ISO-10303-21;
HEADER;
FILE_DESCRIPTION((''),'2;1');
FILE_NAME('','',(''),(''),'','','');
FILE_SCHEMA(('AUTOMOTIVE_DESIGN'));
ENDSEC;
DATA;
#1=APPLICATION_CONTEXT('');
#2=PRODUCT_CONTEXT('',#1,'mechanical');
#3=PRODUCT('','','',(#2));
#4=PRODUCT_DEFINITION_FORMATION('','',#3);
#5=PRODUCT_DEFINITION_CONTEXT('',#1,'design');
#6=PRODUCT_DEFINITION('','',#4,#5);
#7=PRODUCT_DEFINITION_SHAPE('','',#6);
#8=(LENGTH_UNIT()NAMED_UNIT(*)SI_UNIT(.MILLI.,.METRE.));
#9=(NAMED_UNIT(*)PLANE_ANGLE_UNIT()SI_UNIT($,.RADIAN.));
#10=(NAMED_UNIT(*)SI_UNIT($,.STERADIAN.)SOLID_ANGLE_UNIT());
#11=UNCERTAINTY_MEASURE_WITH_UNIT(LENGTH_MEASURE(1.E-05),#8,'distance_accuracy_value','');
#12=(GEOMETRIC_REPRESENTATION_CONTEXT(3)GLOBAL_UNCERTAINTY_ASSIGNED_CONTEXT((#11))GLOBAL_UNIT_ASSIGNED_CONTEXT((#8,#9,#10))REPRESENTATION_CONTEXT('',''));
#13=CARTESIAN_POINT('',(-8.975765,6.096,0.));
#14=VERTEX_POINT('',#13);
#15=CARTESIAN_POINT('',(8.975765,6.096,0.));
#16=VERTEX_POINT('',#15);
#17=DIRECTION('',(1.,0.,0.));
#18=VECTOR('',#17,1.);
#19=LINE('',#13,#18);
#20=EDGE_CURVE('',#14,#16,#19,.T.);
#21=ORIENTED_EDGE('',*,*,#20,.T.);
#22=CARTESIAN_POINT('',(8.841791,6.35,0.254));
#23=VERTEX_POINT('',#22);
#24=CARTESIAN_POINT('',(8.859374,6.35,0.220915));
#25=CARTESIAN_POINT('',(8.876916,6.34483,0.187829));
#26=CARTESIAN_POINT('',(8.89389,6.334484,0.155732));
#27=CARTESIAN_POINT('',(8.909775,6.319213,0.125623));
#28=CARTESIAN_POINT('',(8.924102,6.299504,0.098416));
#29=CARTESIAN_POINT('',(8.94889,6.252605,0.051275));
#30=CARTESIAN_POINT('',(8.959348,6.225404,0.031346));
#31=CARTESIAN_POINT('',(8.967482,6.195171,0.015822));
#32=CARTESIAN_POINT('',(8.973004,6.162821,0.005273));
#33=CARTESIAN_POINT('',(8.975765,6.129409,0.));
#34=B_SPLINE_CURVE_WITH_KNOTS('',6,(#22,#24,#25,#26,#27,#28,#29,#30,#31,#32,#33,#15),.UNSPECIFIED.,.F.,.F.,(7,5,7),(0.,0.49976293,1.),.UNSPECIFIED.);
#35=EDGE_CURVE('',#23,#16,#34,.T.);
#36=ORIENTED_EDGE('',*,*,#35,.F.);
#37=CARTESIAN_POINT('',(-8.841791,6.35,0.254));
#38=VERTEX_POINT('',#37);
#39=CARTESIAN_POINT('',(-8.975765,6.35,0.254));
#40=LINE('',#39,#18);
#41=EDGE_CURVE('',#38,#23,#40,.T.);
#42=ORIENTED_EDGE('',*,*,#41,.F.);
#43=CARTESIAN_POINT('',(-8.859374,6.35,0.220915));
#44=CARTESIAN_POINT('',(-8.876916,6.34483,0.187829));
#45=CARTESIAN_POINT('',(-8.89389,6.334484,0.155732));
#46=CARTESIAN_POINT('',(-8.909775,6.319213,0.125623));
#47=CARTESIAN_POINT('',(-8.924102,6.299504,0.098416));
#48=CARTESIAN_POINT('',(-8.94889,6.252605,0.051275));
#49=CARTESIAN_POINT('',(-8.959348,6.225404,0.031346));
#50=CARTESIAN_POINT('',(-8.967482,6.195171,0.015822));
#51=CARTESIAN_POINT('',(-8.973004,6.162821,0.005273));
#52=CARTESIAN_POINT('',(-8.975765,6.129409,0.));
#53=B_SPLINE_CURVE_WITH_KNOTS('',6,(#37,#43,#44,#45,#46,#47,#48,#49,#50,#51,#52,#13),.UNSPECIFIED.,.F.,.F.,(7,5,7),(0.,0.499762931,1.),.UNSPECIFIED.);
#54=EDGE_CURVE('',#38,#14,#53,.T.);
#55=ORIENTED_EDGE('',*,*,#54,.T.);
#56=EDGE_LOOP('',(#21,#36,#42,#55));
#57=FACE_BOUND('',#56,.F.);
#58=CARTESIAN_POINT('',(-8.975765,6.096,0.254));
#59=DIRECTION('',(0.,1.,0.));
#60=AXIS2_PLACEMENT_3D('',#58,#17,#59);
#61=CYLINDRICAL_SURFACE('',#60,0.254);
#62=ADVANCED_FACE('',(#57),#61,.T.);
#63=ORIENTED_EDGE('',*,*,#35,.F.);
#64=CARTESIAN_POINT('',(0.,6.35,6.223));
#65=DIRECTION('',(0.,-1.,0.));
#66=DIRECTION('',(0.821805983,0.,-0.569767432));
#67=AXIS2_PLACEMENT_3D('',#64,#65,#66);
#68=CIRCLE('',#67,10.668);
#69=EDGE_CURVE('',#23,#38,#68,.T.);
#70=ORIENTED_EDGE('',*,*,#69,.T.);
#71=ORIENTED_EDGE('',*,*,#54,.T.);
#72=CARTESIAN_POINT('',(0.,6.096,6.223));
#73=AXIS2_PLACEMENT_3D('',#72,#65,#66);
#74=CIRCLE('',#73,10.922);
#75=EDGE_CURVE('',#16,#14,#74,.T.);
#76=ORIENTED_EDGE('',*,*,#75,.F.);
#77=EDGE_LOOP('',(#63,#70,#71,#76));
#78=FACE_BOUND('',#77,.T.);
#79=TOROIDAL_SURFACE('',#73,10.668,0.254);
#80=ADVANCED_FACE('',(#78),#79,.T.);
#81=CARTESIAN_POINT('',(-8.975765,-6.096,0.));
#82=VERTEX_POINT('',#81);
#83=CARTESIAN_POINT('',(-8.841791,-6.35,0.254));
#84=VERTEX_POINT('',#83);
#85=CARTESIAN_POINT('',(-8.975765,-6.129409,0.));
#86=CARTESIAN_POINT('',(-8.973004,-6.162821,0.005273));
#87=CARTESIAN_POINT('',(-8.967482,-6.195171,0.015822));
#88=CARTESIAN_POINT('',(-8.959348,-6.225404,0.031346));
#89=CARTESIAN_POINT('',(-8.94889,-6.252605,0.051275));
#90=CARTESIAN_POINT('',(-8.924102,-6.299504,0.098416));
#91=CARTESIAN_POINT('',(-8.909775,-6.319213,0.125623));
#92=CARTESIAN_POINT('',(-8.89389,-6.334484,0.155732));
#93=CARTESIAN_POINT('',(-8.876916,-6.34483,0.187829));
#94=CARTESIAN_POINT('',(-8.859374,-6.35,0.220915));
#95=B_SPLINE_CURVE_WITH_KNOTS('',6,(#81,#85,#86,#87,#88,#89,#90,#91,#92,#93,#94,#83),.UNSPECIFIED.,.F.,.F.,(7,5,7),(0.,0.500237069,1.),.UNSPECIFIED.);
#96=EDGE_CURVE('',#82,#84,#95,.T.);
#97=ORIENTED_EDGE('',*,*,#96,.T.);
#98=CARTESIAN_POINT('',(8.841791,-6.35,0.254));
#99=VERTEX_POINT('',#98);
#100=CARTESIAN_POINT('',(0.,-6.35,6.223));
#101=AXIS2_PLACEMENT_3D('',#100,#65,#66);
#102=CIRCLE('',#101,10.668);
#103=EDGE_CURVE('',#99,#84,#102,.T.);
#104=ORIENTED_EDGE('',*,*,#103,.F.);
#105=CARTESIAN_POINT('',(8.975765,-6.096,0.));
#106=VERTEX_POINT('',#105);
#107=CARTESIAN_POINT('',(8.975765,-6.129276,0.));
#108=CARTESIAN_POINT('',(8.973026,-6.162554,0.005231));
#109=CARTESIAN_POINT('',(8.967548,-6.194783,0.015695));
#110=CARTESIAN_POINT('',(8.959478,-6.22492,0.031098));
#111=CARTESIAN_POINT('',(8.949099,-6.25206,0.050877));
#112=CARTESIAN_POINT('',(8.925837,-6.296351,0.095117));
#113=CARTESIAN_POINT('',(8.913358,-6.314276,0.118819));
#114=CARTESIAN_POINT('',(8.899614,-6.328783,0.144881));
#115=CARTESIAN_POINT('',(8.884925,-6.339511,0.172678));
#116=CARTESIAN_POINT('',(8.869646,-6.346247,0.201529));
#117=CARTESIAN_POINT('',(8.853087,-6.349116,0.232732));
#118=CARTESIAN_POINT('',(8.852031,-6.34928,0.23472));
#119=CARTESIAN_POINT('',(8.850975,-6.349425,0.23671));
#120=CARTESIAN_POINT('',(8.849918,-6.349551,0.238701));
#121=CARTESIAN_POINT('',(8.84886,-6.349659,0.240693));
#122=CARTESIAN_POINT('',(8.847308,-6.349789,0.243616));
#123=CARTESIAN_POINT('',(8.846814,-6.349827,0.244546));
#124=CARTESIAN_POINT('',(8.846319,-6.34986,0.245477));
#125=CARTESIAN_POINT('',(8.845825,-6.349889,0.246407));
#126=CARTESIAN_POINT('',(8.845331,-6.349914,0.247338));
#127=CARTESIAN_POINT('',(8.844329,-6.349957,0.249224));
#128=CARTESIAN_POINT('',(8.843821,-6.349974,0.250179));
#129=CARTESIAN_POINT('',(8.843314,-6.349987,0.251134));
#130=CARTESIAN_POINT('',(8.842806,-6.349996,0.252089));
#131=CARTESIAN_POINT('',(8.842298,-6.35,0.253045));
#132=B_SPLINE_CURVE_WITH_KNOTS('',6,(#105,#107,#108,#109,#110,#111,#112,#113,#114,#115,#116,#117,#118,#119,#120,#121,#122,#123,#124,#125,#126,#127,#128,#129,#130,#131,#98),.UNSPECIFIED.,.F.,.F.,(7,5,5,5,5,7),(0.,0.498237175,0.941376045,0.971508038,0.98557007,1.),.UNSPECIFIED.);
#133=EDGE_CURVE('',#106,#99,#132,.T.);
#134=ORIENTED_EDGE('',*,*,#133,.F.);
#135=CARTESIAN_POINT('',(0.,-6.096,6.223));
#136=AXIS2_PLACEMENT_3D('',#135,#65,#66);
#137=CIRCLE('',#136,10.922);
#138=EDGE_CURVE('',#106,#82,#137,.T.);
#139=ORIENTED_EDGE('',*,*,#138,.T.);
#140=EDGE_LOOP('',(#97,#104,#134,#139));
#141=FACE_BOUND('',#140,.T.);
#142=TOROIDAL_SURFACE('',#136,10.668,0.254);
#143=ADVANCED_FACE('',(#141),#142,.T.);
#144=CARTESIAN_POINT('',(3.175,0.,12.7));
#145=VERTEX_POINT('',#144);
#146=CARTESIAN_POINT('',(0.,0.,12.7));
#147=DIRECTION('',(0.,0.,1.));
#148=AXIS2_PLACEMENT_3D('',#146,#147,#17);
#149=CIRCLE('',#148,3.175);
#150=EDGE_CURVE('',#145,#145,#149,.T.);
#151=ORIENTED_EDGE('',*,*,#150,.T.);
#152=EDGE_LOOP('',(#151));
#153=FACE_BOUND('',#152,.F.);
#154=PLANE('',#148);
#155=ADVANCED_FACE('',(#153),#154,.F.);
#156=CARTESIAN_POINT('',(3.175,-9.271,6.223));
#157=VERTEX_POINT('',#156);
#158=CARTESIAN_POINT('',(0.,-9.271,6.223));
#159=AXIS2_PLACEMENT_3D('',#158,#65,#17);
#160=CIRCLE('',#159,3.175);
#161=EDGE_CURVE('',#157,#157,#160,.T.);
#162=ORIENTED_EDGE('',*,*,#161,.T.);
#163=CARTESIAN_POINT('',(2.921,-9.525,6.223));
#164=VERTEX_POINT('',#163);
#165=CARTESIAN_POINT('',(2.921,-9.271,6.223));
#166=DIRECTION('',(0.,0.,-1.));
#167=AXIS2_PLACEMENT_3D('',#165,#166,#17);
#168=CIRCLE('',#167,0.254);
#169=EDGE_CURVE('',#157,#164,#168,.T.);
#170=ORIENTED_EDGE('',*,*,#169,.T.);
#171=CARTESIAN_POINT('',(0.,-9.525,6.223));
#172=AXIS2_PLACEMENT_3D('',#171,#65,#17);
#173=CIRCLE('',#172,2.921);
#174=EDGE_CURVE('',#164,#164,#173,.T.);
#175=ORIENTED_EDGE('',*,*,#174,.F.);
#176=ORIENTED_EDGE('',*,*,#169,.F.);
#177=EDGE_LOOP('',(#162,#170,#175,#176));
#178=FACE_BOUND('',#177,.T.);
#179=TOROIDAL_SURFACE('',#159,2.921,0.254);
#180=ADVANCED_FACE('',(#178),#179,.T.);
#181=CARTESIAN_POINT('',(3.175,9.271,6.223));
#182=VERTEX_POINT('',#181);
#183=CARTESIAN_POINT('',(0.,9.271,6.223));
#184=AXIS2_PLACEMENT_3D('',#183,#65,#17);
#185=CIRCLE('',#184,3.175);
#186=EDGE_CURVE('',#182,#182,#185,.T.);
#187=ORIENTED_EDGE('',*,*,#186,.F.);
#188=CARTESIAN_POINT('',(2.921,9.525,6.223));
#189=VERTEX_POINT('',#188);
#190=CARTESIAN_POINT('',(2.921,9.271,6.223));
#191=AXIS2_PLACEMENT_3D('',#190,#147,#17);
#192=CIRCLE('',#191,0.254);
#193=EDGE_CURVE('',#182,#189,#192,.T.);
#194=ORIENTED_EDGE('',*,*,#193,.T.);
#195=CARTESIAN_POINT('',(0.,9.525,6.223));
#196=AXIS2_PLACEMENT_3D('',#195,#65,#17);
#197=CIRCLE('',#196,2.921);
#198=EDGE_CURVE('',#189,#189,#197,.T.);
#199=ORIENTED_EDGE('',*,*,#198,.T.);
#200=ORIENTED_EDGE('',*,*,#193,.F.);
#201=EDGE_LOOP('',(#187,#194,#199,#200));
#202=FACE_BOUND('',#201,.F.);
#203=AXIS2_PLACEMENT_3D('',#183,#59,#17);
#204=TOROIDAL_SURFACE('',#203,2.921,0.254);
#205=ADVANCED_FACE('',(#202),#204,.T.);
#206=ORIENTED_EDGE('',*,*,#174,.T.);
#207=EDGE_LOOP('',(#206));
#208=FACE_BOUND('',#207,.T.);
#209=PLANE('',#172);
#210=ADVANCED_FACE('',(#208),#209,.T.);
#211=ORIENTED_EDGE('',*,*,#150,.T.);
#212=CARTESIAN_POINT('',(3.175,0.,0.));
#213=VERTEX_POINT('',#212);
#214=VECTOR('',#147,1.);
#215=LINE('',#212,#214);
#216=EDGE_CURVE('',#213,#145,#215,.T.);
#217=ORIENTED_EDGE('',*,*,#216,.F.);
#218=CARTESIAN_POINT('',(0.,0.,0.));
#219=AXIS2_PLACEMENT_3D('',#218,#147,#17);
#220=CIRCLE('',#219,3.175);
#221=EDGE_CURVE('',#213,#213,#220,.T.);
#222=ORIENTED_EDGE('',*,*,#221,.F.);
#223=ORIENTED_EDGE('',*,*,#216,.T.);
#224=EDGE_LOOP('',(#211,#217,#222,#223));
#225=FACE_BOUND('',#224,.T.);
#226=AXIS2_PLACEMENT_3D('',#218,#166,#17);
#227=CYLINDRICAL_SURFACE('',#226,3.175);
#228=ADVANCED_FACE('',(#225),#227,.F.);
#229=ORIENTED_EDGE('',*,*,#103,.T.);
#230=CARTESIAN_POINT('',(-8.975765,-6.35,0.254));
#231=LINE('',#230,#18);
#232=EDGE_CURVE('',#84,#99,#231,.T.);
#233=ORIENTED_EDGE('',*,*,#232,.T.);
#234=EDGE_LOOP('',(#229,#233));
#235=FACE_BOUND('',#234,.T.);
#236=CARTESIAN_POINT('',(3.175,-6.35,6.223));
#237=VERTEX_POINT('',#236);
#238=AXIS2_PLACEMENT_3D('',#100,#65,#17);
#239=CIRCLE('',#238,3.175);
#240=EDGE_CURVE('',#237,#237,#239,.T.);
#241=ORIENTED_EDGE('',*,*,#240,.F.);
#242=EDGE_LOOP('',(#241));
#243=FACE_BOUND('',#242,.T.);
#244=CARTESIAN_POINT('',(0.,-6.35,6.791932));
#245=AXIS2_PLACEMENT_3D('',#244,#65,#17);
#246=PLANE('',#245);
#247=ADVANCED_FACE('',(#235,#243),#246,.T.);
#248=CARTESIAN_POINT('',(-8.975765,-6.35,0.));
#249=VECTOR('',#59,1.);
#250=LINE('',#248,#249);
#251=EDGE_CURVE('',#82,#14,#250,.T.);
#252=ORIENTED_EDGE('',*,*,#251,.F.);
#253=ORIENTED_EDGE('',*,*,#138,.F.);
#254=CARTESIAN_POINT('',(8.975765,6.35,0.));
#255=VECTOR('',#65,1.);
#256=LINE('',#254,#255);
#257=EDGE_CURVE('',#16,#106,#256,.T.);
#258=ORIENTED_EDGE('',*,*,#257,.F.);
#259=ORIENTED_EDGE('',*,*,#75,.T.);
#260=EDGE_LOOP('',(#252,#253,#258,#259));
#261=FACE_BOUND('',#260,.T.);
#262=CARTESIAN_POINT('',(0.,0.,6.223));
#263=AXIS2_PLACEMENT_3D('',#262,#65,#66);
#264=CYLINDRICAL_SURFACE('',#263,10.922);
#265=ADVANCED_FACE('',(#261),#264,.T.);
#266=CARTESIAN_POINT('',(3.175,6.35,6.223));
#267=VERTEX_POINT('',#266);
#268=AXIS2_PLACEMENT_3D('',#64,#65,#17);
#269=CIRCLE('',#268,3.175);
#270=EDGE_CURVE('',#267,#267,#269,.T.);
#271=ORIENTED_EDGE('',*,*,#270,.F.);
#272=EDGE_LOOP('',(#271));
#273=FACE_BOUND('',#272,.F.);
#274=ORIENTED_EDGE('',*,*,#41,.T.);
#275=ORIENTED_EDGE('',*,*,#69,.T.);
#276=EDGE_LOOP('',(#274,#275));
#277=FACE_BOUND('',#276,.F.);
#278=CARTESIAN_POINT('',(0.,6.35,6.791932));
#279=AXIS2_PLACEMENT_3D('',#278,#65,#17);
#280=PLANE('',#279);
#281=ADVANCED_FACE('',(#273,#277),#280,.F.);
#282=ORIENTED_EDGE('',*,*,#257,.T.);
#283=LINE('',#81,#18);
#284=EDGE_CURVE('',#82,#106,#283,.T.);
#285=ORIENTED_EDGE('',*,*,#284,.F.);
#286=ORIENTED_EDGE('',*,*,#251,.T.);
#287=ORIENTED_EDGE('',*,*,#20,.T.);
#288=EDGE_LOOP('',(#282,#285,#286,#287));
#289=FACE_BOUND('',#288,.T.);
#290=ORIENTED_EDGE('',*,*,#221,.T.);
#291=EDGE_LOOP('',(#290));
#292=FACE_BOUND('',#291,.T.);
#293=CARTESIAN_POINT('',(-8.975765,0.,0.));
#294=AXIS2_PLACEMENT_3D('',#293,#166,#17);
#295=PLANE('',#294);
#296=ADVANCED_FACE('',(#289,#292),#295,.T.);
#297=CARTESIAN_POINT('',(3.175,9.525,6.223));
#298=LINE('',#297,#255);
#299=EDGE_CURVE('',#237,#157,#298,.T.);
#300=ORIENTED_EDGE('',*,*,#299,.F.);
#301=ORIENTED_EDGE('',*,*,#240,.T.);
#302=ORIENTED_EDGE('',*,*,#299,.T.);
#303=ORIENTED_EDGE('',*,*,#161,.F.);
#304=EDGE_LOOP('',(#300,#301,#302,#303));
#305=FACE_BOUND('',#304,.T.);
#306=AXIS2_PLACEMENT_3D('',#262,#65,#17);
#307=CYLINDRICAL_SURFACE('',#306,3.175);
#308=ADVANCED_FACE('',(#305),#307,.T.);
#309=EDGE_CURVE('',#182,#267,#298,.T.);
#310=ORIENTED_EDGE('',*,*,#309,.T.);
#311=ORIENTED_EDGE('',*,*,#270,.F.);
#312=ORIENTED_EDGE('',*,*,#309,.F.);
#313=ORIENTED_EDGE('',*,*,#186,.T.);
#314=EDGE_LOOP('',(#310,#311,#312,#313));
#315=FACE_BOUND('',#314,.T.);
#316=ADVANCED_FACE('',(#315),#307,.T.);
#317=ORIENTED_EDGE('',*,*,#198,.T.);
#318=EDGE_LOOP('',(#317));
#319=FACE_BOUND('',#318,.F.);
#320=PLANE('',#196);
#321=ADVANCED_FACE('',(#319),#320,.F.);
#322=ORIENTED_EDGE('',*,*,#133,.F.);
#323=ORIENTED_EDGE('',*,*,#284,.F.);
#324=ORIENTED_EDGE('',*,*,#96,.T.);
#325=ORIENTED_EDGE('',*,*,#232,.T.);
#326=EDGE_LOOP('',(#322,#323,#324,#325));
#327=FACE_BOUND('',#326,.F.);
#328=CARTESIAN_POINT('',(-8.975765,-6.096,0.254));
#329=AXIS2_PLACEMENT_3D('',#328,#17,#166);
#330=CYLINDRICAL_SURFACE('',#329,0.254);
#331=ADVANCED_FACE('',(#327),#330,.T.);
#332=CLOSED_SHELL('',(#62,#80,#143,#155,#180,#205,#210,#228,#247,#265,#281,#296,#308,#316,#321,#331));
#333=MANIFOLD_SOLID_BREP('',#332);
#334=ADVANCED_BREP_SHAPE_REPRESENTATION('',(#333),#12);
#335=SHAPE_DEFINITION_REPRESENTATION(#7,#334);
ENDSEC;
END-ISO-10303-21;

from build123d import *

# Parameters (mm, degrees)
F3_DEPTH = 6.35
F1_R     = 3.175
F4_DEPTH = 9.525
F2_R     = 3.175
F5_DEPTH = 12.7
F6_R     = 0.254


with BuildPart() as f3:
    # F0 (on Front) → F3 (new body, symmetric)
    with BuildSketch(Plane.XZ):
        with BuildLine():
            Line((-8.975765, 0), (8.975765, 0))
            ThreePointArc((8.975765, 0), (0, 17.145), (-8.975765, 0))
        make_face()
    extrude(amount=F3_DEPTH, both=True)

    # F1 (on Front) → F4 (join, symmetric)
    with BuildSketch(Plane.XZ):
        with Locations((0, 6.223)):
            Circle(F1_R)
    extrude(amount=F4_DEPTH, both=True)

    # F2 (on Top) → F5 (cut)
    with BuildSketch(Plane.XY):
        Circle(F2_R)
    extrude(amount=F5_DEPTH, mode=Mode.SUBTRACT)

    # F6
    f6_edges = [f3.edges().sort_by_distance(p)[0] for p in [
        (-3.175, -9.525, 6.223),
        (0, -6.35, 17.145),
        (0, 6.35, 17.145),
        (-3.175, 9.525, 6.223),
        (0, 6.35, 0),
        (0, -6.35, 0),
    ]]
    fillet(f6_edges, radius=F6_R)


solid = f3.part
